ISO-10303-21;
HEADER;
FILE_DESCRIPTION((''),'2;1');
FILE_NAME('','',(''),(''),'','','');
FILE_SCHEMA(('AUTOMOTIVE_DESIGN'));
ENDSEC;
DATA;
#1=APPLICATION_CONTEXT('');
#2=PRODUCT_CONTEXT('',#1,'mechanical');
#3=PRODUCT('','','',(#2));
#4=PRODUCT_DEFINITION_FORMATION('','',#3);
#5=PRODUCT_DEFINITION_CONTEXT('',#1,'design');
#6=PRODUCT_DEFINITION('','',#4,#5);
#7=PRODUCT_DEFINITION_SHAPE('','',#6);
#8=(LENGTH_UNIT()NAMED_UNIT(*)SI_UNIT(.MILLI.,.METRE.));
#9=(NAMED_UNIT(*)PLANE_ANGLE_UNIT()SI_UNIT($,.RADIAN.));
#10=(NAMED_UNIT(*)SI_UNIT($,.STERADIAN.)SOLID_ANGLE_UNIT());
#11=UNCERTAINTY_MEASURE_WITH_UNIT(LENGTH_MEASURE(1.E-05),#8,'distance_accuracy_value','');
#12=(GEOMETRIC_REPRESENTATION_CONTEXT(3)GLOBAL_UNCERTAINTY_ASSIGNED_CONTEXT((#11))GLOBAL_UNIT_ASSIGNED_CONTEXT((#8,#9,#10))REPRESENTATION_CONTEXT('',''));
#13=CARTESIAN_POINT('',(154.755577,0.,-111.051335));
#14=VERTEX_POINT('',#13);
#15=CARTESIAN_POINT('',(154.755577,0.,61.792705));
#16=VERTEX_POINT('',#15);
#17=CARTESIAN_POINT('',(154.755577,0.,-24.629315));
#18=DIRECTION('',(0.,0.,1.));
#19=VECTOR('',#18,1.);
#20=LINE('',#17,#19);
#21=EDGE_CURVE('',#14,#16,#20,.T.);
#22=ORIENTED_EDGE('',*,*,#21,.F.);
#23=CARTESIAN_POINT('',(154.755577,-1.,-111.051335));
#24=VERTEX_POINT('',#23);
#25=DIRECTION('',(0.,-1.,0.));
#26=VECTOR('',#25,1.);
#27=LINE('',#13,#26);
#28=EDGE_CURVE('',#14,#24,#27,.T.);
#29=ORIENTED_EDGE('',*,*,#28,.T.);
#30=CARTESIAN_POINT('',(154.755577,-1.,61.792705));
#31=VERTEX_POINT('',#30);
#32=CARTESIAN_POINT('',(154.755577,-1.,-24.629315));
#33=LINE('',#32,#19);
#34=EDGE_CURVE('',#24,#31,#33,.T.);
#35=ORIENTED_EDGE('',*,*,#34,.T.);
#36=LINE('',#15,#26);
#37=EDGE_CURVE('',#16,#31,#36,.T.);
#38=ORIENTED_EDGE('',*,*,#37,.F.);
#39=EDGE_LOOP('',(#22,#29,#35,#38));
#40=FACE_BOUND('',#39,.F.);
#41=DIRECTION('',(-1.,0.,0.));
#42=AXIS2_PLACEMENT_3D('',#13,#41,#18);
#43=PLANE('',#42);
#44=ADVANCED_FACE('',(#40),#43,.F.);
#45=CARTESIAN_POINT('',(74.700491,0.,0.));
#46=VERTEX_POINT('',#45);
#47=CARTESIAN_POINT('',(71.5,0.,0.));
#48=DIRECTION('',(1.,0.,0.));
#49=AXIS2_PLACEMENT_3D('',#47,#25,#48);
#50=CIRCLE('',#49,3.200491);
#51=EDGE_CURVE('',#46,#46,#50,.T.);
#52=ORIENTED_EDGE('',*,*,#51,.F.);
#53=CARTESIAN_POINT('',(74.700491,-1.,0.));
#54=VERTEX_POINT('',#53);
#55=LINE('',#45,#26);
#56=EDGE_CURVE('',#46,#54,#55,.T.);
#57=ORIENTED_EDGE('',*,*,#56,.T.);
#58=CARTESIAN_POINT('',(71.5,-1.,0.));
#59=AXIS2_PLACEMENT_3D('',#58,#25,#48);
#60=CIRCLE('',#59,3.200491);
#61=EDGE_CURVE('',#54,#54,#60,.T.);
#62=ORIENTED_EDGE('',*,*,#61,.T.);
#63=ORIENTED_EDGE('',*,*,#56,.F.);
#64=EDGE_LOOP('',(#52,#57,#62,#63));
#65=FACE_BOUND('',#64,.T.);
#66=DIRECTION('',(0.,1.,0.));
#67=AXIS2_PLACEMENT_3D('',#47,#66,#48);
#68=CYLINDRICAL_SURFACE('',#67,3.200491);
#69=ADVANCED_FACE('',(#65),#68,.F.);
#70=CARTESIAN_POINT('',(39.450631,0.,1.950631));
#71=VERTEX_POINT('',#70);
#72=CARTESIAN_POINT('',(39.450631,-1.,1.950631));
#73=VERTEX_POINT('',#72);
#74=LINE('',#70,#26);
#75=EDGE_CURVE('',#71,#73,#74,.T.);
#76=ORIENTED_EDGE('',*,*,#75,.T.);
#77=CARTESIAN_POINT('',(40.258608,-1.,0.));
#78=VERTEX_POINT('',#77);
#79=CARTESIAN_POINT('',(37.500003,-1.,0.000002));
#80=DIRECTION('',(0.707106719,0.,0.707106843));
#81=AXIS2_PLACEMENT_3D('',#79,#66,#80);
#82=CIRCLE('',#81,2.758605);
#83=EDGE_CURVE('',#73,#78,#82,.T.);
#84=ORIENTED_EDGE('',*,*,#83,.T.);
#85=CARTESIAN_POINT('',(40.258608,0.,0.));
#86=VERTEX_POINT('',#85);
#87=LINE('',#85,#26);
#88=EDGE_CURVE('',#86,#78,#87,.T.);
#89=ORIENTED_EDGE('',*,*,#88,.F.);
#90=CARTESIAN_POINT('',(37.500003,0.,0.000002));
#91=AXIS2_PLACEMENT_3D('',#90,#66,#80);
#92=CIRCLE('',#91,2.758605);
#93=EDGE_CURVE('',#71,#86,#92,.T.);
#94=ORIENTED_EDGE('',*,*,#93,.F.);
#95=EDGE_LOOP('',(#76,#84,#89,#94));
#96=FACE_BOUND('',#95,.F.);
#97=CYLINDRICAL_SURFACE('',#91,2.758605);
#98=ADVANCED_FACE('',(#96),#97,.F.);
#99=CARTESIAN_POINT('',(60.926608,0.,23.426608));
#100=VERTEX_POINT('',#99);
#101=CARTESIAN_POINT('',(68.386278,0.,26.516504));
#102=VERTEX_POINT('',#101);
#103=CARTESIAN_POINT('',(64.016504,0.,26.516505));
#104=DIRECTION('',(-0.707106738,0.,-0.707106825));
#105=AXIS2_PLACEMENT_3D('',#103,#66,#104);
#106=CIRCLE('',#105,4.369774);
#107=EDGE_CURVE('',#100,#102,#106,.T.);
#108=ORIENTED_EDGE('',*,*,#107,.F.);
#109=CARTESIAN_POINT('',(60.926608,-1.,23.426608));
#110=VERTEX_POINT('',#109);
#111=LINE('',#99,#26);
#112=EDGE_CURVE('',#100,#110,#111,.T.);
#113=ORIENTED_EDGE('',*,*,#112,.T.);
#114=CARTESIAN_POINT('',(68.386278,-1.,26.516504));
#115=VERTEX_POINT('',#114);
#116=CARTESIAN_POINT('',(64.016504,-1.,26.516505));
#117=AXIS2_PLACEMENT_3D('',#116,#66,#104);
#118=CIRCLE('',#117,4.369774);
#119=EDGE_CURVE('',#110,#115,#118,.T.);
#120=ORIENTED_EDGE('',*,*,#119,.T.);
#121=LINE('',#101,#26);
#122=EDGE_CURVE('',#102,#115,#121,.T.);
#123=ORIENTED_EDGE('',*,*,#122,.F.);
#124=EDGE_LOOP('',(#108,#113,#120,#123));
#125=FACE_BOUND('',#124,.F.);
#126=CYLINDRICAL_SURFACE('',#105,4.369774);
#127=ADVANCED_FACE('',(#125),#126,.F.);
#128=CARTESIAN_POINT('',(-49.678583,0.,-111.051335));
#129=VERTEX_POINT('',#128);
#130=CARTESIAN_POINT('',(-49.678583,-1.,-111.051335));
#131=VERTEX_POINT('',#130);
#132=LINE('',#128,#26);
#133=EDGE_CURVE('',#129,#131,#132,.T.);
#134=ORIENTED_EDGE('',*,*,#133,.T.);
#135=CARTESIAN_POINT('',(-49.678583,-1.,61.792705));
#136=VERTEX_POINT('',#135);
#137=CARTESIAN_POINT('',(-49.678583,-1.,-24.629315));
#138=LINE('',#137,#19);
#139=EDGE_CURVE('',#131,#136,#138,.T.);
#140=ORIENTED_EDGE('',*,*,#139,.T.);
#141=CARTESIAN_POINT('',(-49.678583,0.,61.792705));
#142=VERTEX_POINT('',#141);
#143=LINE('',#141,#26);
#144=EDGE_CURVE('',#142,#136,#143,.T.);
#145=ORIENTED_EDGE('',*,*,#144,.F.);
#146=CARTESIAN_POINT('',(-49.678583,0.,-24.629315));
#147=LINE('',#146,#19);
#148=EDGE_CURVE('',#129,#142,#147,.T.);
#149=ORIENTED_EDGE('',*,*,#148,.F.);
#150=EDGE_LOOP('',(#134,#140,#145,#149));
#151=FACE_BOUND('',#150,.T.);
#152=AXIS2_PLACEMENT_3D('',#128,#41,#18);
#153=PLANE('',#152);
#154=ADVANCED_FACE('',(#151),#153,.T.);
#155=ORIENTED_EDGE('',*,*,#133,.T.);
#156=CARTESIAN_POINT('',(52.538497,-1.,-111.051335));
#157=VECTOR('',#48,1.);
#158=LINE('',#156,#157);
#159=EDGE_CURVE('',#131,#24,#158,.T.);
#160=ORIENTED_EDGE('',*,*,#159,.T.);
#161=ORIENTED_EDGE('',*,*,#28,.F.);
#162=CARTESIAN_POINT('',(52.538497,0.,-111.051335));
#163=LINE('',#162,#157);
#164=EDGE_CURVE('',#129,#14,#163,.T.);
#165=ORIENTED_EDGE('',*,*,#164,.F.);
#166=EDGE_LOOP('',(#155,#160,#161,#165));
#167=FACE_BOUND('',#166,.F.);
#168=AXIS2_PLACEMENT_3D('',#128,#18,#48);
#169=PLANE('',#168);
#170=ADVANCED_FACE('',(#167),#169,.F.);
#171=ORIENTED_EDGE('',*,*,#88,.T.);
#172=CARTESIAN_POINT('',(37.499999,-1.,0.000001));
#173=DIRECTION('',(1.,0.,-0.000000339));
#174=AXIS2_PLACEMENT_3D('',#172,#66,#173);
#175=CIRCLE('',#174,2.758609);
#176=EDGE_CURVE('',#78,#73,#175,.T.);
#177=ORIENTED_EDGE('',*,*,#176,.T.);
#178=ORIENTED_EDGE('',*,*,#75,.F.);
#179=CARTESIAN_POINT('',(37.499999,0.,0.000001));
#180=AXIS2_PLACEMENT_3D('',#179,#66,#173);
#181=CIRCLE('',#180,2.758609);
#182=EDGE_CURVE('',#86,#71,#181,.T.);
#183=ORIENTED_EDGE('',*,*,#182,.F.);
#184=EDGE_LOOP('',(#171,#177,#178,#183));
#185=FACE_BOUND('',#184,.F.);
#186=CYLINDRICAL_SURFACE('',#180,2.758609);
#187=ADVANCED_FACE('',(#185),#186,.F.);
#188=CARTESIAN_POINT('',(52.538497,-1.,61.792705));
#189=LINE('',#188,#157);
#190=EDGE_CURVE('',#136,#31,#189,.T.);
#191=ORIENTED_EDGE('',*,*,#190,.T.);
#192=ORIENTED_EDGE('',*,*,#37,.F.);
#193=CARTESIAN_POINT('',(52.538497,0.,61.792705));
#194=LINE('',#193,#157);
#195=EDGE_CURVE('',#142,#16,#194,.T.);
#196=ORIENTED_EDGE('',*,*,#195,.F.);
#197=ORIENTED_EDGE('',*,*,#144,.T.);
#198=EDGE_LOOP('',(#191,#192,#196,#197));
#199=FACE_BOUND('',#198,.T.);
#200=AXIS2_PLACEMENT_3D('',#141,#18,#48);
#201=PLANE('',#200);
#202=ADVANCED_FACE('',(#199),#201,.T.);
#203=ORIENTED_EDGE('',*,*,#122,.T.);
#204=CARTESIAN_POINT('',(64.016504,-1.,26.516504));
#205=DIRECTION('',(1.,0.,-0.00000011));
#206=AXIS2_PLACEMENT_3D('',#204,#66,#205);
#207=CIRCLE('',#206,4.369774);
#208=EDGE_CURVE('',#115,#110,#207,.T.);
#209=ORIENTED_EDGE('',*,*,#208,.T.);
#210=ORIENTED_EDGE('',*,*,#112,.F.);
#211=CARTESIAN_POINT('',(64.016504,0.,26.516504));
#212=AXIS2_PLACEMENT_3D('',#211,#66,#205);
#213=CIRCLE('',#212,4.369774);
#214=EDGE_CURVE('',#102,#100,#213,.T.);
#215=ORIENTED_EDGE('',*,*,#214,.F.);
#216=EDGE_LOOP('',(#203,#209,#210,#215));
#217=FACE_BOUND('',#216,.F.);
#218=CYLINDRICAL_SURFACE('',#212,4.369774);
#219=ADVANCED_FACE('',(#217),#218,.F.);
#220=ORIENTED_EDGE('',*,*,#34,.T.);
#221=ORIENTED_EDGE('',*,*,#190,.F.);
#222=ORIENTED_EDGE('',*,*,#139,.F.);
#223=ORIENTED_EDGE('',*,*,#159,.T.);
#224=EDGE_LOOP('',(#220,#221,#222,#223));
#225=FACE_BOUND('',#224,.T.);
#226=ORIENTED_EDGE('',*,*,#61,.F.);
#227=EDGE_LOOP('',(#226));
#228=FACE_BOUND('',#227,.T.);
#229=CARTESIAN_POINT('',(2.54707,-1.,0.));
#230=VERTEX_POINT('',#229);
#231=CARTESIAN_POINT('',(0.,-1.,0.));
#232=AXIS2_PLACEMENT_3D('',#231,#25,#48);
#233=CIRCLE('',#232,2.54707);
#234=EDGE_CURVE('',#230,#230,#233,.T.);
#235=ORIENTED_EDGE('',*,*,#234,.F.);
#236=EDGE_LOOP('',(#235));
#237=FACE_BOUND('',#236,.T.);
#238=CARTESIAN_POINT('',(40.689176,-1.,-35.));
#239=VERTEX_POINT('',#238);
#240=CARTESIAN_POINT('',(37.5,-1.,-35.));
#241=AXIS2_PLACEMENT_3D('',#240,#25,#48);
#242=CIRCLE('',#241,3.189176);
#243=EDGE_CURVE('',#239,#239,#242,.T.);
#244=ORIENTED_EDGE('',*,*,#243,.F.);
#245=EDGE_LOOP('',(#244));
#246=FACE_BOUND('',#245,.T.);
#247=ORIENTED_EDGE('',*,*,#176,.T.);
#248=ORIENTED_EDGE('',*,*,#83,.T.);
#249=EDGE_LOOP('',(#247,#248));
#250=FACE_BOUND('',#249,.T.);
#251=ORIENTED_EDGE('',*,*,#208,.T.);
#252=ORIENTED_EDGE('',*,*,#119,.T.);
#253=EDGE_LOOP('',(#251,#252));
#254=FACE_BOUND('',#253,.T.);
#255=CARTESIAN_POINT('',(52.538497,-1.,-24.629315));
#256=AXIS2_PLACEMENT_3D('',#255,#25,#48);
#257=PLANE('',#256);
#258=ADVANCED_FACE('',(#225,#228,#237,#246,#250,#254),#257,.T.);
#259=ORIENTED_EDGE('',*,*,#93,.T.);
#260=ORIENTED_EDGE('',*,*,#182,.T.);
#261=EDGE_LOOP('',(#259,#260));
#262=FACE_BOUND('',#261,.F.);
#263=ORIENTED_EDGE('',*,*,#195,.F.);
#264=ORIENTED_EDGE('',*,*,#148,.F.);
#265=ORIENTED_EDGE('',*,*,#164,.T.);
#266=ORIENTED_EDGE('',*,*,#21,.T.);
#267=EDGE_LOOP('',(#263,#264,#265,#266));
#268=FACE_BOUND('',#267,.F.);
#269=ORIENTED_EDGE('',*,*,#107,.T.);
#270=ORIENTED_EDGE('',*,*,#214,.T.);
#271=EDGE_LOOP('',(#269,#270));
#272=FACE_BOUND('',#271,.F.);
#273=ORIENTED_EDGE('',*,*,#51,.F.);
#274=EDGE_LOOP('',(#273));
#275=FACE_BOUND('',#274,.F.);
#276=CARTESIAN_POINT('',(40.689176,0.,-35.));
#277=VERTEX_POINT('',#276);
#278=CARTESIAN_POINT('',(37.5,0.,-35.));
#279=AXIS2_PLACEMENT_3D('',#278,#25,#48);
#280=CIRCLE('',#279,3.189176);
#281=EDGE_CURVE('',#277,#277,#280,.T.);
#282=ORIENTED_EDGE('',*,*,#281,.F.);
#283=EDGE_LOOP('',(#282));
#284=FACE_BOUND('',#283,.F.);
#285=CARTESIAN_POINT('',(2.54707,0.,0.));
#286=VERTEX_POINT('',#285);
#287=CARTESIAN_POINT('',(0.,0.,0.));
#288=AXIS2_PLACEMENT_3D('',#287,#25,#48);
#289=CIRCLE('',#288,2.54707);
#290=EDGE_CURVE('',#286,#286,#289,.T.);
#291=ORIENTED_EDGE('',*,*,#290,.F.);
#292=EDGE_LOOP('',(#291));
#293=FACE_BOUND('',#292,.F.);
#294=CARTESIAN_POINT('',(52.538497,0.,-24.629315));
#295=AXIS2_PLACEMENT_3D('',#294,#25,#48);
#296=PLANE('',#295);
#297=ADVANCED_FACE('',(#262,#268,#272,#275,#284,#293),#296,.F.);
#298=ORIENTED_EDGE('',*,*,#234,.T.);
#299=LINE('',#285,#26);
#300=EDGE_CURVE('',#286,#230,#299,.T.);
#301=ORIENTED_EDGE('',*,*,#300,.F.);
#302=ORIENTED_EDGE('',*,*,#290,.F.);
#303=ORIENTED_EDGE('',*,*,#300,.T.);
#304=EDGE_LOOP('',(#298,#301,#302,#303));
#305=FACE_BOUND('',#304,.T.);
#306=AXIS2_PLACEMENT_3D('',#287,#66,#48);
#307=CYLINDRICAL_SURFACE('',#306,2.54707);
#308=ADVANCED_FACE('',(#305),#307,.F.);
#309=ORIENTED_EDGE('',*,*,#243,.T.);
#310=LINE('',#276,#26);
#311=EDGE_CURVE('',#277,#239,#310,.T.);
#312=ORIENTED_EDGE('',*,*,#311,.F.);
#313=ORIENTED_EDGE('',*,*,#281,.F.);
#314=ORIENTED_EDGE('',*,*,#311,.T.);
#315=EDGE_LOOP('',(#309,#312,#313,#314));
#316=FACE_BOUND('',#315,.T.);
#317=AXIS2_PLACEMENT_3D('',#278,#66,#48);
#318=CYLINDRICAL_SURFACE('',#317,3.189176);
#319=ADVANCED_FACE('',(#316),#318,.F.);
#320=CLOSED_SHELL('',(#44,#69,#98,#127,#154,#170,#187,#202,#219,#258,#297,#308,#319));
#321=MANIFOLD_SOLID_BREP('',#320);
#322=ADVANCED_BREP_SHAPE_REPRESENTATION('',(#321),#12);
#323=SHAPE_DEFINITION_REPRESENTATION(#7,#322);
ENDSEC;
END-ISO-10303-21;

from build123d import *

# Parameters (mm, degrees)
F0_W     = 204.43416
F0_H     = 172.844041
F0_R     = 3.189176
F0_R_2   = 2.54707
F0_R_3   = 3.200491
F1_DEPTH = 1


with BuildPart() as f1:
    # F0 (on Front) → F1 (new body)
    with BuildSketch(Plane.XZ):
        with Locations((52.538497, -24.629315)):
            Rectangle(F0_W, F0_H)
        with Locations((37.5, -35)):
            Circle(F0_R, mode=Mode.SUBTRACT)
        Circle(F0_R_2, mode=Mode.SUBTRACT)
        with BuildLine():
            ThreePointArc((39.450631, 1.950631), (40.048622, 1.055674), (40.258608, 0))
            ThreePointArc((40.258608, 0), (34.951378, -1.055674), (39.450631, 1.950631))
        make_face(mode=Mode.SUBTRACT)
        with Locations((71.5, 0)):
            Circle(F0_R_3, mode=Mode.SUBTRACT)
        with BuildLine():
            ThreePointArc((68.386278, 26.516504), (65.688744, 22.47936), (60.926608, 23.426608))
            ThreePointArc((60.926608, 23.426608), (62.344264, 30.553649), (68.386278, 26.516504))
        make_face(mode=Mode.SUBTRACT)
    extrude(amount=F1_DEPTH)


solid = f1.part
